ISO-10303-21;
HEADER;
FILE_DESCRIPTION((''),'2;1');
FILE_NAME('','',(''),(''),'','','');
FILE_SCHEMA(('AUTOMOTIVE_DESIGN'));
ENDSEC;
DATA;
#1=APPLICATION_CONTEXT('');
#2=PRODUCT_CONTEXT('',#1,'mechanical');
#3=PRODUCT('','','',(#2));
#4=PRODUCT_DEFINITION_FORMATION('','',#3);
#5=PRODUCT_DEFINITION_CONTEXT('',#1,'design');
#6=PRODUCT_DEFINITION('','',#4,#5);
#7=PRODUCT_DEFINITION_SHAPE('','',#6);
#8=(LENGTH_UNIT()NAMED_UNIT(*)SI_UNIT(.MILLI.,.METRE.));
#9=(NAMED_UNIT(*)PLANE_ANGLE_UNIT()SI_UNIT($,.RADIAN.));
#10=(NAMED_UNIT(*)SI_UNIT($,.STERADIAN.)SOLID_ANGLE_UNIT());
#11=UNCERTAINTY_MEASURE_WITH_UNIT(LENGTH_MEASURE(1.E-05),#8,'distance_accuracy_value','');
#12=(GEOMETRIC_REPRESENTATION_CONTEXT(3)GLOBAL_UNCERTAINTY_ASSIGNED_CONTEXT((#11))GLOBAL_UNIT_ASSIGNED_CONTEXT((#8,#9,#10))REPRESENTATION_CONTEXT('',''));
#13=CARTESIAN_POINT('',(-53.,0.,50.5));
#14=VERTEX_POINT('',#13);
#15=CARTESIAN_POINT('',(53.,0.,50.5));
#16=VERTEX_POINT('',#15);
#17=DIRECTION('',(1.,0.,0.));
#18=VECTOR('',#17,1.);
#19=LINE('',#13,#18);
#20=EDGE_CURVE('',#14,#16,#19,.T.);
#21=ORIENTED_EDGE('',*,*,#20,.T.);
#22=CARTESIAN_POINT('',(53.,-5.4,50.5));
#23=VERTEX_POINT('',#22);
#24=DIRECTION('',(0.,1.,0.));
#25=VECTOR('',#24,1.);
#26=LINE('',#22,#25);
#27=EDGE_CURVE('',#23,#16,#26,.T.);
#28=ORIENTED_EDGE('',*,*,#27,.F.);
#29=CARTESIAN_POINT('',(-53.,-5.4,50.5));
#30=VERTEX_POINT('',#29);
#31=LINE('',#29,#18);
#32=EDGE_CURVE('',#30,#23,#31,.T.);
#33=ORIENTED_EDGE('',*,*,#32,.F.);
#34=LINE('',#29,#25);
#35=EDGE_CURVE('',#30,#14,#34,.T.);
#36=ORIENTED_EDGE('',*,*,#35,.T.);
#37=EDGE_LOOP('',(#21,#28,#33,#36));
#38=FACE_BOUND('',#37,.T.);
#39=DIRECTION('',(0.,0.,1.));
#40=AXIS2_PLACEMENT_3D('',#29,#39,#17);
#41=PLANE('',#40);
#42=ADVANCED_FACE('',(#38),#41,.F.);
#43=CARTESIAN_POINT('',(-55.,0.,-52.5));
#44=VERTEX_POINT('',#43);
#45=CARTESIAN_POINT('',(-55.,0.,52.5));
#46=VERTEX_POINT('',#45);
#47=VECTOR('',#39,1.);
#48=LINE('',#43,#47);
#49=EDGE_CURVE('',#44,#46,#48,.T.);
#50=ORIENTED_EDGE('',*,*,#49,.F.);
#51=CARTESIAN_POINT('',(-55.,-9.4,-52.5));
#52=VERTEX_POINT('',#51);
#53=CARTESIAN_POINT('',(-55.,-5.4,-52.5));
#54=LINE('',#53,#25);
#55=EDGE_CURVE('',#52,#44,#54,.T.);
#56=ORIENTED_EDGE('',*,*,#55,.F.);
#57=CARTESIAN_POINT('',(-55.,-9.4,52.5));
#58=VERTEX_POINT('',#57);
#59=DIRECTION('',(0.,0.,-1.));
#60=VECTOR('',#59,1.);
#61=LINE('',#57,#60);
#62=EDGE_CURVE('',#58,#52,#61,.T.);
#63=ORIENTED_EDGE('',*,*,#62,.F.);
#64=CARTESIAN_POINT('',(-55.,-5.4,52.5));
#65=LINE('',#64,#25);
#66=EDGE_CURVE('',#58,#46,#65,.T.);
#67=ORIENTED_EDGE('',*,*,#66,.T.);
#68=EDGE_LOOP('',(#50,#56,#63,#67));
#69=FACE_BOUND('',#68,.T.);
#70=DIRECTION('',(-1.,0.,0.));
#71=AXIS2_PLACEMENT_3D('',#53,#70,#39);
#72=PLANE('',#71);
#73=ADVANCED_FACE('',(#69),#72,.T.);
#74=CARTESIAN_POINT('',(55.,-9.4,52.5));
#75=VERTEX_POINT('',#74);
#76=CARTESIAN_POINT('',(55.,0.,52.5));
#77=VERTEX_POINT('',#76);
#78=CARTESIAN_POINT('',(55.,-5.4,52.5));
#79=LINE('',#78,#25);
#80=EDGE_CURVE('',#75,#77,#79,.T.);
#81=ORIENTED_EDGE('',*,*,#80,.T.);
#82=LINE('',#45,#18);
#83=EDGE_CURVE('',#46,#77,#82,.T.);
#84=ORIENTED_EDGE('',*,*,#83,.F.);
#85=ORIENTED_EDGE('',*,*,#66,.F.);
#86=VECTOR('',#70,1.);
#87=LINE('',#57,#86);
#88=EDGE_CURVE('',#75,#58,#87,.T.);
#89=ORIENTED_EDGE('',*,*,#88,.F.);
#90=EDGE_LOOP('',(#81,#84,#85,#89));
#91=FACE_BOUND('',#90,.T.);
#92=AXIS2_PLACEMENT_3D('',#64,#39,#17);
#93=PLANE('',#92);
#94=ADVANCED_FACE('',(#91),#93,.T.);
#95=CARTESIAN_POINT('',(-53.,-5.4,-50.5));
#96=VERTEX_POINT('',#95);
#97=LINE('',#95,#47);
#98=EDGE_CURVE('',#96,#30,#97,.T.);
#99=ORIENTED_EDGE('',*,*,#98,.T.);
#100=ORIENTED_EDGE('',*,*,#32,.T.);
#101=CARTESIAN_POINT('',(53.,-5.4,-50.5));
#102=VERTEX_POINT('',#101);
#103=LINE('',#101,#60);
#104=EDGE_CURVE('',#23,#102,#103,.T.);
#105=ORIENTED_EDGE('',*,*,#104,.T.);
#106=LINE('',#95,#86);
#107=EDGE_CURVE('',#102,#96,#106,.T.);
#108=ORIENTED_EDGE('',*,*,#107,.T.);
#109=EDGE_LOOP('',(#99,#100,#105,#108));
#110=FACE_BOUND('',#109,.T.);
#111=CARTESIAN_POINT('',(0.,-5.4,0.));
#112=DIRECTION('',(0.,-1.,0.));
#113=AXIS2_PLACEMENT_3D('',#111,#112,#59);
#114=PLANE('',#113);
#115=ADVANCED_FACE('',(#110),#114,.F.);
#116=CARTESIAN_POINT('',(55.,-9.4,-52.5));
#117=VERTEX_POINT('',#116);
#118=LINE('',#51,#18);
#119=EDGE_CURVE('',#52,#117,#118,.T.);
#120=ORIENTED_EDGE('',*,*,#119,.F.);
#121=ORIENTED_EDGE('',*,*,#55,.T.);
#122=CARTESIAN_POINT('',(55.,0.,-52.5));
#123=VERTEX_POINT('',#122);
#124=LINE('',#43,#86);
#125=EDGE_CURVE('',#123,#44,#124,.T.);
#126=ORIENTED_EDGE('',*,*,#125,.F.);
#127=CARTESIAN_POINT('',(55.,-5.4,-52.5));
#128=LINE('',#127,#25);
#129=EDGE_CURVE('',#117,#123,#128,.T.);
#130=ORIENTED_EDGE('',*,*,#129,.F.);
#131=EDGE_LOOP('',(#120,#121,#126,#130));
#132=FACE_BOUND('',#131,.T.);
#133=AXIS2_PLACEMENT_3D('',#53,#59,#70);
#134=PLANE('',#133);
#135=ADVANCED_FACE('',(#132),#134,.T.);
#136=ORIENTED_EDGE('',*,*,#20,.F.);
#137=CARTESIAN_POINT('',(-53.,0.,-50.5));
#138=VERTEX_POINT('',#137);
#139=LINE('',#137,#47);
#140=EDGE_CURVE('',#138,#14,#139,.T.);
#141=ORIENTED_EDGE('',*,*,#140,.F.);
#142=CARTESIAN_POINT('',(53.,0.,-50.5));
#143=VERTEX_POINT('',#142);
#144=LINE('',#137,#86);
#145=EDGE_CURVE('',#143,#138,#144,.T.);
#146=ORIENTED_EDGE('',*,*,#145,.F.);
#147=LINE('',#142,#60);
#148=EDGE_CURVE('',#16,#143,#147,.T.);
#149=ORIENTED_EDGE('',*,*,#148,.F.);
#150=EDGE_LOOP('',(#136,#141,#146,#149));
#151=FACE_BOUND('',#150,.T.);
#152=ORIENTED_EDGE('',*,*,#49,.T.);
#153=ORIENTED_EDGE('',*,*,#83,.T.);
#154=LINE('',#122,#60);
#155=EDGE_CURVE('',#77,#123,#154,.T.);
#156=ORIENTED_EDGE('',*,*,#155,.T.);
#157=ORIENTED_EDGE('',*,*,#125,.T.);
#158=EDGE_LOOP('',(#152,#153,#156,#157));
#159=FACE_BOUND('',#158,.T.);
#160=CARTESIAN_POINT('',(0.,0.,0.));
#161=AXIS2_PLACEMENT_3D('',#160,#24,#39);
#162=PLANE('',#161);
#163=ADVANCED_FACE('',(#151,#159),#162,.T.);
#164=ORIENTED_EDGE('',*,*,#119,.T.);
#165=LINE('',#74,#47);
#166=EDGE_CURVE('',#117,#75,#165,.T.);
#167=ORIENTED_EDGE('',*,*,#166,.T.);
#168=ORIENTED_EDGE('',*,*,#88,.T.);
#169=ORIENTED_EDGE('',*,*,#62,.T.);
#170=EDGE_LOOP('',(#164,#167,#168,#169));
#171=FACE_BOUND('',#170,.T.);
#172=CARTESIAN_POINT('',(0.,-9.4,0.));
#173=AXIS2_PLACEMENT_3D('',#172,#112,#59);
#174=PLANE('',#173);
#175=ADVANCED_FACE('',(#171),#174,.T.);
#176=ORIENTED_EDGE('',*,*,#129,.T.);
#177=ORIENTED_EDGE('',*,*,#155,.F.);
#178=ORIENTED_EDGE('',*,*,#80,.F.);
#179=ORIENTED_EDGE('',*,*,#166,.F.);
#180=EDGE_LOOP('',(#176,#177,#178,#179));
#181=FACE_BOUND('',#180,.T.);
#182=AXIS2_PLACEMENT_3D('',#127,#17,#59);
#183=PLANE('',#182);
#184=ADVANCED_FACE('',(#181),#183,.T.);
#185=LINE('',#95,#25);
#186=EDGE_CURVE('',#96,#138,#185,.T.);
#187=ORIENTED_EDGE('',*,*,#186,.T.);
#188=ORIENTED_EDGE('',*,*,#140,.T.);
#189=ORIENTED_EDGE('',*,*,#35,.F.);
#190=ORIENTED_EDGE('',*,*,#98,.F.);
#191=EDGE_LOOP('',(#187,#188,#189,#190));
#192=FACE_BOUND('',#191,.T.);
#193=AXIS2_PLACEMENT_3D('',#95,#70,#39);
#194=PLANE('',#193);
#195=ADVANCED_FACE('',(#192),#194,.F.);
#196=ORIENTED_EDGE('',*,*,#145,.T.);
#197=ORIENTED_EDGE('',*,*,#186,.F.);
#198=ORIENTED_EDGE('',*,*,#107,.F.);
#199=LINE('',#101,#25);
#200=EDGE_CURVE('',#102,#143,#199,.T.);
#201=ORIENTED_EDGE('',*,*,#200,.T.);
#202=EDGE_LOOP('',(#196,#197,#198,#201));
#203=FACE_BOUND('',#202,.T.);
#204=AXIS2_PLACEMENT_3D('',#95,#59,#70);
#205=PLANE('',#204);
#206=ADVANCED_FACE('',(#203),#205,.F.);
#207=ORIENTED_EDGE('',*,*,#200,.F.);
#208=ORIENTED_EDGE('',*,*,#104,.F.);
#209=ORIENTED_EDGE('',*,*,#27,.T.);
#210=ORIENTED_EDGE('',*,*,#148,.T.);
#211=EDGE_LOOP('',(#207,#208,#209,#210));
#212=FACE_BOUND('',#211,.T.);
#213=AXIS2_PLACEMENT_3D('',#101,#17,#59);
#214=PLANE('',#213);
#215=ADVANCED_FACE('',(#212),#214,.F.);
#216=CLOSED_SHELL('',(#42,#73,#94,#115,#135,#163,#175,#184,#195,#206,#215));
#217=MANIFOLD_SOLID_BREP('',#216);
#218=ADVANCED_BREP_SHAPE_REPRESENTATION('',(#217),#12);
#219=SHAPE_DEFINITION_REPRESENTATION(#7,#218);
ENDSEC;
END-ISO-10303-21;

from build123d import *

# Parameters (mm, degrees)
SKETCH1_W           = 110
SKETCH1_H           = 105
SKETCH1_W_2         = 106
SKETCH1_H_2         = 101
BOSS_EXTRUDE1_DEPTH = 5.4
SKETCH2_W           = 110
SKETCH2_H           = 105
BOSS_EXTRUDE2_DEPTH = 4


with BuildPart() as part:
    # Sketch1 → Boss-Extrude1 (new body)
    with BuildSketch(Plane(origin=(0, 0, 0), x_dir=(1, 0, 0), z_dir=(0, 1, 0))):
        Rectangle(SKETCH1_W, SKETCH1_H)
        Rectangle(SKETCH1_W_2, SKETCH1_H_2, mode=Mode.SUBTRACT)
    extrude(amount=-BOSS_EXTRUDE1_DEPTH)

    # Sketch2 → Boss-Extrude2 (add)
    with BuildSketch(Plane.XZ.offset(5.4)):
        Rectangle(SKETCH2_W, SKETCH2_H)
    extrude(amount=BOSS_EXTRUDE2_DEPTH)


solid = part.part
